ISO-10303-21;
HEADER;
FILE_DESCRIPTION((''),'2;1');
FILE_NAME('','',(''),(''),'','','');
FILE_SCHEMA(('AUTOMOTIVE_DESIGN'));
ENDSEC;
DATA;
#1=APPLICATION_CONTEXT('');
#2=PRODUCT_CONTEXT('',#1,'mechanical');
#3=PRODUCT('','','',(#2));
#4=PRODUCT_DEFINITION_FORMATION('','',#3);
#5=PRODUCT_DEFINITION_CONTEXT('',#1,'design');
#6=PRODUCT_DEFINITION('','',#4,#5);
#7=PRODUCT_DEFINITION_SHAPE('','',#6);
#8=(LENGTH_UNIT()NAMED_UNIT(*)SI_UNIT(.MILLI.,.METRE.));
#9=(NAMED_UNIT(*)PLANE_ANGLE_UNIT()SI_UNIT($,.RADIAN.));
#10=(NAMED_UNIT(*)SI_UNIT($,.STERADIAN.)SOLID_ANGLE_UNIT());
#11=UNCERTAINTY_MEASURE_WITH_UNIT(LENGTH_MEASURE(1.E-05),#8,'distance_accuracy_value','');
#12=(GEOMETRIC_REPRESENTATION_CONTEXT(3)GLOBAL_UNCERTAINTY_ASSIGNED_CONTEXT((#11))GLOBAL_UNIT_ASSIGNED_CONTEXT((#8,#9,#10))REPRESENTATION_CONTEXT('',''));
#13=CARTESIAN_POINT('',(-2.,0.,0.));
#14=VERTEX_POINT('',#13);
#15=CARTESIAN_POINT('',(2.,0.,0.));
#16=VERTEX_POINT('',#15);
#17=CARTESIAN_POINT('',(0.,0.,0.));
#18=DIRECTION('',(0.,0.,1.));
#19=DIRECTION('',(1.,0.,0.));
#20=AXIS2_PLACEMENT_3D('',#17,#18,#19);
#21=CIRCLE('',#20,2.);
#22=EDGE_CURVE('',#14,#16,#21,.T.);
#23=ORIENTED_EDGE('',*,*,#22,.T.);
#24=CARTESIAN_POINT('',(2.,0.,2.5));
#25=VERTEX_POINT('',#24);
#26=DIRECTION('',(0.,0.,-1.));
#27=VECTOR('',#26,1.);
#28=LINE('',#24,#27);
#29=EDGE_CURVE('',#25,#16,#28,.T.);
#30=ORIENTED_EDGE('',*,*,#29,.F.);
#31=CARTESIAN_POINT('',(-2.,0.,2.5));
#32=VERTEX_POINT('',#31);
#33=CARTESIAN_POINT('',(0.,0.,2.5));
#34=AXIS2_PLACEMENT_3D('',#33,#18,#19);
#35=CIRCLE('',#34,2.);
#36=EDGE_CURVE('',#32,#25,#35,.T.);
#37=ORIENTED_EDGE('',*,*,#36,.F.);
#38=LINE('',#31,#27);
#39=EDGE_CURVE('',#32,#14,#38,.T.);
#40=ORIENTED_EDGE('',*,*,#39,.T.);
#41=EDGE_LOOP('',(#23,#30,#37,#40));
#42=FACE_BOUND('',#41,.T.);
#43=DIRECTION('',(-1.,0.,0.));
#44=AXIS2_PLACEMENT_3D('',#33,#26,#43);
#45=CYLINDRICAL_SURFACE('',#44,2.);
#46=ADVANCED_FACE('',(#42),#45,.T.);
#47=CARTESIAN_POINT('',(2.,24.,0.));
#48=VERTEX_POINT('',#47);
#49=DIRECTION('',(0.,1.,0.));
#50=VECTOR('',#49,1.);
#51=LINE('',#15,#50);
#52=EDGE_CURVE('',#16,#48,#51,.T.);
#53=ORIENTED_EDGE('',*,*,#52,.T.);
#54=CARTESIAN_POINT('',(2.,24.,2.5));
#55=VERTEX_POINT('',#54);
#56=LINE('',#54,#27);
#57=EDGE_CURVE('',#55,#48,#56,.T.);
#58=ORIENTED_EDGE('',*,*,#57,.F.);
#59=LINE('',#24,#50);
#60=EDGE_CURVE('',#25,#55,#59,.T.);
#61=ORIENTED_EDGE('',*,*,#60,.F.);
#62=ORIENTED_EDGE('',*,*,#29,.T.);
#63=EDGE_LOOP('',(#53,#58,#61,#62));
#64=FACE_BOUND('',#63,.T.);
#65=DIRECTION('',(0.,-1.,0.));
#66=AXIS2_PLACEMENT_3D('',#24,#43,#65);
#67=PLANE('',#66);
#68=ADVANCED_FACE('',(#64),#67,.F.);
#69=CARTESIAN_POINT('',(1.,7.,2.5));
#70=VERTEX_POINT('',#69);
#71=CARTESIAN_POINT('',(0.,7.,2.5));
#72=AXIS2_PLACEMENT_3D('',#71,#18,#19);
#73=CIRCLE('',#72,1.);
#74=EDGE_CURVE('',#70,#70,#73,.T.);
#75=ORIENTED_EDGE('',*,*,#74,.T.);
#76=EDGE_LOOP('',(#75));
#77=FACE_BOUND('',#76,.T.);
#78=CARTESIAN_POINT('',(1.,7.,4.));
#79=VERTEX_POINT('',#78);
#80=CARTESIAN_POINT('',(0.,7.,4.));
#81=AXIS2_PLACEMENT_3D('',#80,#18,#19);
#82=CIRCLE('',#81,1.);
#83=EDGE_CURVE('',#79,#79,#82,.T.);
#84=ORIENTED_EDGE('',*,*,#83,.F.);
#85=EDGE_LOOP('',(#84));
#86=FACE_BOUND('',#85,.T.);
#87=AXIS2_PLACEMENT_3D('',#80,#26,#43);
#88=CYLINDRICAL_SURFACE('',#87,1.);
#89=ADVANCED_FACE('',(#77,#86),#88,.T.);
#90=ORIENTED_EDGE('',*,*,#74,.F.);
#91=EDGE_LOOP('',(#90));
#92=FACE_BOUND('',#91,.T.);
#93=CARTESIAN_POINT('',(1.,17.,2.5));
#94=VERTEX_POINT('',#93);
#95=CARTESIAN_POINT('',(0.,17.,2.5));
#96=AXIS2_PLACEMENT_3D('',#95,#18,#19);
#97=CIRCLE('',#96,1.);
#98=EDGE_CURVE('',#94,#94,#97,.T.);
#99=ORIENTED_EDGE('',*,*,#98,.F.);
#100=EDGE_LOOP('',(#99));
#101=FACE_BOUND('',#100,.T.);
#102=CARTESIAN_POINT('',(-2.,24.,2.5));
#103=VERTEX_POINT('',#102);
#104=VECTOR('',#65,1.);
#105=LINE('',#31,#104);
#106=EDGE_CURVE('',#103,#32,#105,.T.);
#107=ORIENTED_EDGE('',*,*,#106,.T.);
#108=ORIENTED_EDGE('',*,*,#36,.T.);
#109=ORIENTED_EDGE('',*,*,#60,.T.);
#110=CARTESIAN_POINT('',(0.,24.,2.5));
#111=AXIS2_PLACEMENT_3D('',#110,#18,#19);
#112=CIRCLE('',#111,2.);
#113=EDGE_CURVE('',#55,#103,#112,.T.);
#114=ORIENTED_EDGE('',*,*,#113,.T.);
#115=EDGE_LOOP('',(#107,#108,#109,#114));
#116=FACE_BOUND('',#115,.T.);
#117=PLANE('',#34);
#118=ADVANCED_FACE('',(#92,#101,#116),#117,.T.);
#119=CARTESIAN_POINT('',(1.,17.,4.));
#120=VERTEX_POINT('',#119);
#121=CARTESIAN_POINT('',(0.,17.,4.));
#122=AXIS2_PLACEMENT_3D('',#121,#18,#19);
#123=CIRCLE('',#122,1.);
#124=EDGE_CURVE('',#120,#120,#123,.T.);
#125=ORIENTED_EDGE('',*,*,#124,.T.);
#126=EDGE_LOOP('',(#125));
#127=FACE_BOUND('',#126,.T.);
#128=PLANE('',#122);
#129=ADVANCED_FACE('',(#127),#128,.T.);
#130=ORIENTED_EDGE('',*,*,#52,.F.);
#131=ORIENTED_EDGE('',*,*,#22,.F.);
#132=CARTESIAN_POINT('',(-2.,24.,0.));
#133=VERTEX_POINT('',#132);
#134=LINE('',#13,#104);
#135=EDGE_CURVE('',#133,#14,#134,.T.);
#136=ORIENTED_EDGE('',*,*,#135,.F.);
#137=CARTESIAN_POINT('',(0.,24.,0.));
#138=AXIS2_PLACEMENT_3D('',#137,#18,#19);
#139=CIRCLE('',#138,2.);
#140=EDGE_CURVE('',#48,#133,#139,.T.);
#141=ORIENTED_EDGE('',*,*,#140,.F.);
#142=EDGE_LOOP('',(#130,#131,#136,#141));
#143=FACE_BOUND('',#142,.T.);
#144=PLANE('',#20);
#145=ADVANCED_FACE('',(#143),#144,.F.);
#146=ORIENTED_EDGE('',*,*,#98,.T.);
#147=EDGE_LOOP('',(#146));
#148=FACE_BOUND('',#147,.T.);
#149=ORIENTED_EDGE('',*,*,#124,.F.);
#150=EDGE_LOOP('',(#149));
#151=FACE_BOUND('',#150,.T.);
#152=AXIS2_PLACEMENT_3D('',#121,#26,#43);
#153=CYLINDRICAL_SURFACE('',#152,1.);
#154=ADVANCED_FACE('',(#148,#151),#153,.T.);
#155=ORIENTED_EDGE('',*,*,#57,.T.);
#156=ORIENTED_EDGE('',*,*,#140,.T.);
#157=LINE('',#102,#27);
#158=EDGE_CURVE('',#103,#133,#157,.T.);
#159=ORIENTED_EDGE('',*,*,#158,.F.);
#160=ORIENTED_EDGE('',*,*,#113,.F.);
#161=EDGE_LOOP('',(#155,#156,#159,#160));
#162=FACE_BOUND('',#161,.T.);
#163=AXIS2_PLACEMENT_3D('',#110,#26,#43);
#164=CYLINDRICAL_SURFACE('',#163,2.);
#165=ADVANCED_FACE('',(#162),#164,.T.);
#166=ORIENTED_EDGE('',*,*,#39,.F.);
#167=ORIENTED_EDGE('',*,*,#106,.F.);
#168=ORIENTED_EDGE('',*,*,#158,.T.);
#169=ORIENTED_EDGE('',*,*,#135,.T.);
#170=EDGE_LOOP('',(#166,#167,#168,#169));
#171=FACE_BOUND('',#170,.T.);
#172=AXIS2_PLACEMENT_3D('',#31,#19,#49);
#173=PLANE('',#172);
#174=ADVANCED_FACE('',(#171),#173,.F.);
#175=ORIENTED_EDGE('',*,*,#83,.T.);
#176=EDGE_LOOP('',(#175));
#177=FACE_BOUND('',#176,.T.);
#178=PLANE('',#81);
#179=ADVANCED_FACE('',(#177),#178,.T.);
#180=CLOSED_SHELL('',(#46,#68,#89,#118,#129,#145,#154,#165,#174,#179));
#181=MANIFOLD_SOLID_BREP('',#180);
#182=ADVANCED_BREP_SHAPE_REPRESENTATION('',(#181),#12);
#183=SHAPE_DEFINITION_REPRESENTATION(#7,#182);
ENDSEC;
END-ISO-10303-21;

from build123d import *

# Parameters (mm, degrees)
BOSS_EXTRU_1_DEPTH = 2.5
ESQUISSE2_R        = 1
BOSS_EXTRU_2_DEPTH = 1.5


with BuildPart() as part:
    # Esquisse1 → Boss.-Extru.1 (new body)
    with BuildSketch(Plane.XY):
        with BuildLine():
            Line((-2, 0), (-2, 24))
            ThreePointArc((-2, 24), (0, 26), (2, 24))
            Line((2, 24), (2, 0))
            ThreePointArc((2, 0), (0, -2), (-2, 0))
        make_face()
    extrude(amount=BOSS_EXTRU_1_DEPTH)

    # Esquisse2 → Boss.-Extru.2 (add)
    with BuildSketch(Plane.XY.offset(2.5)):
        with Locations((0, 17)):
            Circle(ESQUISSE2_R)
        with Locations((0, 7)):
            Circle(ESQUISSE2_R)
    extrude(amount=BOSS_EXTRU_2_DEPTH)


solid = part.part
